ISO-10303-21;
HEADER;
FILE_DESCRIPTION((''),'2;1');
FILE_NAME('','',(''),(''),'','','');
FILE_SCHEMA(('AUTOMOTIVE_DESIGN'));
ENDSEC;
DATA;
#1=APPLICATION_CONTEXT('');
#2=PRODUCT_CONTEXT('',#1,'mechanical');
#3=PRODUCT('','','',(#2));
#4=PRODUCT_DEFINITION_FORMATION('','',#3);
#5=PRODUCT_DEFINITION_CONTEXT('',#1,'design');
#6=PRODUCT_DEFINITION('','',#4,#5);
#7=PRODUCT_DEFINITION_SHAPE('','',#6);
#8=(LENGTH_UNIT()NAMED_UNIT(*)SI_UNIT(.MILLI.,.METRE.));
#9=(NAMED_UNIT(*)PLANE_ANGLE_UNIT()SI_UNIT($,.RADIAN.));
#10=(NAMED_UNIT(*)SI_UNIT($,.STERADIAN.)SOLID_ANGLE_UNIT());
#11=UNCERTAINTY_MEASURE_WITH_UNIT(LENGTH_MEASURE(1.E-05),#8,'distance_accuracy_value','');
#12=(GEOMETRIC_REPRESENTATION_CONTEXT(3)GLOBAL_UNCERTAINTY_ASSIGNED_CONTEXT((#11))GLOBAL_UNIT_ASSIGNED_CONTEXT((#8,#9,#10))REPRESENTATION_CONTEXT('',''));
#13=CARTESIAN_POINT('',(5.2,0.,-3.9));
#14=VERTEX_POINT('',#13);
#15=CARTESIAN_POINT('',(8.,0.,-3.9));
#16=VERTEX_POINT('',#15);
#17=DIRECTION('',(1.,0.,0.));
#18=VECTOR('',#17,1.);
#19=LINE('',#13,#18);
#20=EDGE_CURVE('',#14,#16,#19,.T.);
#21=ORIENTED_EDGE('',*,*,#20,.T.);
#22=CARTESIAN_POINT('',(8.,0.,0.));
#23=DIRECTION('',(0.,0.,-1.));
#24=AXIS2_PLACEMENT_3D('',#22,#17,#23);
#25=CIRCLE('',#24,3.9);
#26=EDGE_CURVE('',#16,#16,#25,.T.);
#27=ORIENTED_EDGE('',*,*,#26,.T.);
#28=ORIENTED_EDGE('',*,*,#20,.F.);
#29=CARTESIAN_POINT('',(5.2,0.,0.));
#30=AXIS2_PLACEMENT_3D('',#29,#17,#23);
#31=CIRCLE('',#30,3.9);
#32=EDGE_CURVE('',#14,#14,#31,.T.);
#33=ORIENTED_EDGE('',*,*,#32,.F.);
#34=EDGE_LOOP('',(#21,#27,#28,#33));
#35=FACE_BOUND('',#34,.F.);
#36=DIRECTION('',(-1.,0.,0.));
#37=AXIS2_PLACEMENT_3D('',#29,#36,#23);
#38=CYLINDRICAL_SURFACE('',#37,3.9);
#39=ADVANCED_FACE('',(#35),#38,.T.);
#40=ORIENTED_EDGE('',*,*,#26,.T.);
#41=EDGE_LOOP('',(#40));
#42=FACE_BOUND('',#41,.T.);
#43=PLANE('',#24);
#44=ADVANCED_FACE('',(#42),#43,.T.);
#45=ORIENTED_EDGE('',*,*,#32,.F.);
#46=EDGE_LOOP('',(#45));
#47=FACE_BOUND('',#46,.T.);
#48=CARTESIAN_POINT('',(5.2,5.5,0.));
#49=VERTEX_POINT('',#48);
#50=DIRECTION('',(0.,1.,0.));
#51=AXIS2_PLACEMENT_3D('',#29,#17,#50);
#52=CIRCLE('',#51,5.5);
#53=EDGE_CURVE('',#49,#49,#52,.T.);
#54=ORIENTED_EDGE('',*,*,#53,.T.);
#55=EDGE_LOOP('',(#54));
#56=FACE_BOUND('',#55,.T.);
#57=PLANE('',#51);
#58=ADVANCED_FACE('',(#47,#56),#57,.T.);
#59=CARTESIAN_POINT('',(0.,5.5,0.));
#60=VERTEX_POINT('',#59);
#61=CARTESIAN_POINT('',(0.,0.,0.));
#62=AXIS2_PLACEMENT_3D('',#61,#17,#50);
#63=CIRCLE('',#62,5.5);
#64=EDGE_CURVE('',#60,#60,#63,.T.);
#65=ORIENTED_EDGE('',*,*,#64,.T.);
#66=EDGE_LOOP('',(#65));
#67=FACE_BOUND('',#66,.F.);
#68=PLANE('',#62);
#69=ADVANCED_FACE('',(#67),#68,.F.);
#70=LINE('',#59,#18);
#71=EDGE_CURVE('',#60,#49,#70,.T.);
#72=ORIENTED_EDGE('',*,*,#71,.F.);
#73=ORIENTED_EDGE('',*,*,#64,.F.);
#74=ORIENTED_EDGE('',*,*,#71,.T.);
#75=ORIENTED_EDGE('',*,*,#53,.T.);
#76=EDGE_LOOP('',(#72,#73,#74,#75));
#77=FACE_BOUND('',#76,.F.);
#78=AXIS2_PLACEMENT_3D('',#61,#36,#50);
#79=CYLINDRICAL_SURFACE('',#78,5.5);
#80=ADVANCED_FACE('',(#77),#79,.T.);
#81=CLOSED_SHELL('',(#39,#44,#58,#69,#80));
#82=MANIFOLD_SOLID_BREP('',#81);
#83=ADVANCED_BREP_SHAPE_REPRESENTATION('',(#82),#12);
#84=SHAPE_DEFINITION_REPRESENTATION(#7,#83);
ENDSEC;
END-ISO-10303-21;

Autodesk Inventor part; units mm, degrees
ref_plane "YZ Plane" through (0, 0, 0) normal (1, 0, 0) x (0, 1, 0)
ref_plane "XZ Plane" through (0, 0, 0) normal (0, 1, 0) x (-1, 0, 0)
ref_plane "XY Plane" through (0, 0, 0) normal (0, 0, 1) x (1, 0, 0)
sketch "Эскиз1" plane through (0, 0, 0) normal (1, 0, 0) x (0, 1, 0)
  circle A0 centre (0, 0) radius 5.5
  dimension "d0" = 11
extrude "Выдавливание1" add sketch "Эскиз1" along normal blind 5.2
sketch "Эскиз2" plane through (5.2, 0, 0) normal (1, 0, 0) x (0, 0, -1)
  circle A0 centre (0, 0) radius 5.5 projected
  circle A1 centre (0, 0) radius 3.9
  dimension "d3" = 7.8
extrude "Выдавливание2" add sketch "Эскиз2" along normal blind 2.8 contours A1
properties part number "pwr_btn"
